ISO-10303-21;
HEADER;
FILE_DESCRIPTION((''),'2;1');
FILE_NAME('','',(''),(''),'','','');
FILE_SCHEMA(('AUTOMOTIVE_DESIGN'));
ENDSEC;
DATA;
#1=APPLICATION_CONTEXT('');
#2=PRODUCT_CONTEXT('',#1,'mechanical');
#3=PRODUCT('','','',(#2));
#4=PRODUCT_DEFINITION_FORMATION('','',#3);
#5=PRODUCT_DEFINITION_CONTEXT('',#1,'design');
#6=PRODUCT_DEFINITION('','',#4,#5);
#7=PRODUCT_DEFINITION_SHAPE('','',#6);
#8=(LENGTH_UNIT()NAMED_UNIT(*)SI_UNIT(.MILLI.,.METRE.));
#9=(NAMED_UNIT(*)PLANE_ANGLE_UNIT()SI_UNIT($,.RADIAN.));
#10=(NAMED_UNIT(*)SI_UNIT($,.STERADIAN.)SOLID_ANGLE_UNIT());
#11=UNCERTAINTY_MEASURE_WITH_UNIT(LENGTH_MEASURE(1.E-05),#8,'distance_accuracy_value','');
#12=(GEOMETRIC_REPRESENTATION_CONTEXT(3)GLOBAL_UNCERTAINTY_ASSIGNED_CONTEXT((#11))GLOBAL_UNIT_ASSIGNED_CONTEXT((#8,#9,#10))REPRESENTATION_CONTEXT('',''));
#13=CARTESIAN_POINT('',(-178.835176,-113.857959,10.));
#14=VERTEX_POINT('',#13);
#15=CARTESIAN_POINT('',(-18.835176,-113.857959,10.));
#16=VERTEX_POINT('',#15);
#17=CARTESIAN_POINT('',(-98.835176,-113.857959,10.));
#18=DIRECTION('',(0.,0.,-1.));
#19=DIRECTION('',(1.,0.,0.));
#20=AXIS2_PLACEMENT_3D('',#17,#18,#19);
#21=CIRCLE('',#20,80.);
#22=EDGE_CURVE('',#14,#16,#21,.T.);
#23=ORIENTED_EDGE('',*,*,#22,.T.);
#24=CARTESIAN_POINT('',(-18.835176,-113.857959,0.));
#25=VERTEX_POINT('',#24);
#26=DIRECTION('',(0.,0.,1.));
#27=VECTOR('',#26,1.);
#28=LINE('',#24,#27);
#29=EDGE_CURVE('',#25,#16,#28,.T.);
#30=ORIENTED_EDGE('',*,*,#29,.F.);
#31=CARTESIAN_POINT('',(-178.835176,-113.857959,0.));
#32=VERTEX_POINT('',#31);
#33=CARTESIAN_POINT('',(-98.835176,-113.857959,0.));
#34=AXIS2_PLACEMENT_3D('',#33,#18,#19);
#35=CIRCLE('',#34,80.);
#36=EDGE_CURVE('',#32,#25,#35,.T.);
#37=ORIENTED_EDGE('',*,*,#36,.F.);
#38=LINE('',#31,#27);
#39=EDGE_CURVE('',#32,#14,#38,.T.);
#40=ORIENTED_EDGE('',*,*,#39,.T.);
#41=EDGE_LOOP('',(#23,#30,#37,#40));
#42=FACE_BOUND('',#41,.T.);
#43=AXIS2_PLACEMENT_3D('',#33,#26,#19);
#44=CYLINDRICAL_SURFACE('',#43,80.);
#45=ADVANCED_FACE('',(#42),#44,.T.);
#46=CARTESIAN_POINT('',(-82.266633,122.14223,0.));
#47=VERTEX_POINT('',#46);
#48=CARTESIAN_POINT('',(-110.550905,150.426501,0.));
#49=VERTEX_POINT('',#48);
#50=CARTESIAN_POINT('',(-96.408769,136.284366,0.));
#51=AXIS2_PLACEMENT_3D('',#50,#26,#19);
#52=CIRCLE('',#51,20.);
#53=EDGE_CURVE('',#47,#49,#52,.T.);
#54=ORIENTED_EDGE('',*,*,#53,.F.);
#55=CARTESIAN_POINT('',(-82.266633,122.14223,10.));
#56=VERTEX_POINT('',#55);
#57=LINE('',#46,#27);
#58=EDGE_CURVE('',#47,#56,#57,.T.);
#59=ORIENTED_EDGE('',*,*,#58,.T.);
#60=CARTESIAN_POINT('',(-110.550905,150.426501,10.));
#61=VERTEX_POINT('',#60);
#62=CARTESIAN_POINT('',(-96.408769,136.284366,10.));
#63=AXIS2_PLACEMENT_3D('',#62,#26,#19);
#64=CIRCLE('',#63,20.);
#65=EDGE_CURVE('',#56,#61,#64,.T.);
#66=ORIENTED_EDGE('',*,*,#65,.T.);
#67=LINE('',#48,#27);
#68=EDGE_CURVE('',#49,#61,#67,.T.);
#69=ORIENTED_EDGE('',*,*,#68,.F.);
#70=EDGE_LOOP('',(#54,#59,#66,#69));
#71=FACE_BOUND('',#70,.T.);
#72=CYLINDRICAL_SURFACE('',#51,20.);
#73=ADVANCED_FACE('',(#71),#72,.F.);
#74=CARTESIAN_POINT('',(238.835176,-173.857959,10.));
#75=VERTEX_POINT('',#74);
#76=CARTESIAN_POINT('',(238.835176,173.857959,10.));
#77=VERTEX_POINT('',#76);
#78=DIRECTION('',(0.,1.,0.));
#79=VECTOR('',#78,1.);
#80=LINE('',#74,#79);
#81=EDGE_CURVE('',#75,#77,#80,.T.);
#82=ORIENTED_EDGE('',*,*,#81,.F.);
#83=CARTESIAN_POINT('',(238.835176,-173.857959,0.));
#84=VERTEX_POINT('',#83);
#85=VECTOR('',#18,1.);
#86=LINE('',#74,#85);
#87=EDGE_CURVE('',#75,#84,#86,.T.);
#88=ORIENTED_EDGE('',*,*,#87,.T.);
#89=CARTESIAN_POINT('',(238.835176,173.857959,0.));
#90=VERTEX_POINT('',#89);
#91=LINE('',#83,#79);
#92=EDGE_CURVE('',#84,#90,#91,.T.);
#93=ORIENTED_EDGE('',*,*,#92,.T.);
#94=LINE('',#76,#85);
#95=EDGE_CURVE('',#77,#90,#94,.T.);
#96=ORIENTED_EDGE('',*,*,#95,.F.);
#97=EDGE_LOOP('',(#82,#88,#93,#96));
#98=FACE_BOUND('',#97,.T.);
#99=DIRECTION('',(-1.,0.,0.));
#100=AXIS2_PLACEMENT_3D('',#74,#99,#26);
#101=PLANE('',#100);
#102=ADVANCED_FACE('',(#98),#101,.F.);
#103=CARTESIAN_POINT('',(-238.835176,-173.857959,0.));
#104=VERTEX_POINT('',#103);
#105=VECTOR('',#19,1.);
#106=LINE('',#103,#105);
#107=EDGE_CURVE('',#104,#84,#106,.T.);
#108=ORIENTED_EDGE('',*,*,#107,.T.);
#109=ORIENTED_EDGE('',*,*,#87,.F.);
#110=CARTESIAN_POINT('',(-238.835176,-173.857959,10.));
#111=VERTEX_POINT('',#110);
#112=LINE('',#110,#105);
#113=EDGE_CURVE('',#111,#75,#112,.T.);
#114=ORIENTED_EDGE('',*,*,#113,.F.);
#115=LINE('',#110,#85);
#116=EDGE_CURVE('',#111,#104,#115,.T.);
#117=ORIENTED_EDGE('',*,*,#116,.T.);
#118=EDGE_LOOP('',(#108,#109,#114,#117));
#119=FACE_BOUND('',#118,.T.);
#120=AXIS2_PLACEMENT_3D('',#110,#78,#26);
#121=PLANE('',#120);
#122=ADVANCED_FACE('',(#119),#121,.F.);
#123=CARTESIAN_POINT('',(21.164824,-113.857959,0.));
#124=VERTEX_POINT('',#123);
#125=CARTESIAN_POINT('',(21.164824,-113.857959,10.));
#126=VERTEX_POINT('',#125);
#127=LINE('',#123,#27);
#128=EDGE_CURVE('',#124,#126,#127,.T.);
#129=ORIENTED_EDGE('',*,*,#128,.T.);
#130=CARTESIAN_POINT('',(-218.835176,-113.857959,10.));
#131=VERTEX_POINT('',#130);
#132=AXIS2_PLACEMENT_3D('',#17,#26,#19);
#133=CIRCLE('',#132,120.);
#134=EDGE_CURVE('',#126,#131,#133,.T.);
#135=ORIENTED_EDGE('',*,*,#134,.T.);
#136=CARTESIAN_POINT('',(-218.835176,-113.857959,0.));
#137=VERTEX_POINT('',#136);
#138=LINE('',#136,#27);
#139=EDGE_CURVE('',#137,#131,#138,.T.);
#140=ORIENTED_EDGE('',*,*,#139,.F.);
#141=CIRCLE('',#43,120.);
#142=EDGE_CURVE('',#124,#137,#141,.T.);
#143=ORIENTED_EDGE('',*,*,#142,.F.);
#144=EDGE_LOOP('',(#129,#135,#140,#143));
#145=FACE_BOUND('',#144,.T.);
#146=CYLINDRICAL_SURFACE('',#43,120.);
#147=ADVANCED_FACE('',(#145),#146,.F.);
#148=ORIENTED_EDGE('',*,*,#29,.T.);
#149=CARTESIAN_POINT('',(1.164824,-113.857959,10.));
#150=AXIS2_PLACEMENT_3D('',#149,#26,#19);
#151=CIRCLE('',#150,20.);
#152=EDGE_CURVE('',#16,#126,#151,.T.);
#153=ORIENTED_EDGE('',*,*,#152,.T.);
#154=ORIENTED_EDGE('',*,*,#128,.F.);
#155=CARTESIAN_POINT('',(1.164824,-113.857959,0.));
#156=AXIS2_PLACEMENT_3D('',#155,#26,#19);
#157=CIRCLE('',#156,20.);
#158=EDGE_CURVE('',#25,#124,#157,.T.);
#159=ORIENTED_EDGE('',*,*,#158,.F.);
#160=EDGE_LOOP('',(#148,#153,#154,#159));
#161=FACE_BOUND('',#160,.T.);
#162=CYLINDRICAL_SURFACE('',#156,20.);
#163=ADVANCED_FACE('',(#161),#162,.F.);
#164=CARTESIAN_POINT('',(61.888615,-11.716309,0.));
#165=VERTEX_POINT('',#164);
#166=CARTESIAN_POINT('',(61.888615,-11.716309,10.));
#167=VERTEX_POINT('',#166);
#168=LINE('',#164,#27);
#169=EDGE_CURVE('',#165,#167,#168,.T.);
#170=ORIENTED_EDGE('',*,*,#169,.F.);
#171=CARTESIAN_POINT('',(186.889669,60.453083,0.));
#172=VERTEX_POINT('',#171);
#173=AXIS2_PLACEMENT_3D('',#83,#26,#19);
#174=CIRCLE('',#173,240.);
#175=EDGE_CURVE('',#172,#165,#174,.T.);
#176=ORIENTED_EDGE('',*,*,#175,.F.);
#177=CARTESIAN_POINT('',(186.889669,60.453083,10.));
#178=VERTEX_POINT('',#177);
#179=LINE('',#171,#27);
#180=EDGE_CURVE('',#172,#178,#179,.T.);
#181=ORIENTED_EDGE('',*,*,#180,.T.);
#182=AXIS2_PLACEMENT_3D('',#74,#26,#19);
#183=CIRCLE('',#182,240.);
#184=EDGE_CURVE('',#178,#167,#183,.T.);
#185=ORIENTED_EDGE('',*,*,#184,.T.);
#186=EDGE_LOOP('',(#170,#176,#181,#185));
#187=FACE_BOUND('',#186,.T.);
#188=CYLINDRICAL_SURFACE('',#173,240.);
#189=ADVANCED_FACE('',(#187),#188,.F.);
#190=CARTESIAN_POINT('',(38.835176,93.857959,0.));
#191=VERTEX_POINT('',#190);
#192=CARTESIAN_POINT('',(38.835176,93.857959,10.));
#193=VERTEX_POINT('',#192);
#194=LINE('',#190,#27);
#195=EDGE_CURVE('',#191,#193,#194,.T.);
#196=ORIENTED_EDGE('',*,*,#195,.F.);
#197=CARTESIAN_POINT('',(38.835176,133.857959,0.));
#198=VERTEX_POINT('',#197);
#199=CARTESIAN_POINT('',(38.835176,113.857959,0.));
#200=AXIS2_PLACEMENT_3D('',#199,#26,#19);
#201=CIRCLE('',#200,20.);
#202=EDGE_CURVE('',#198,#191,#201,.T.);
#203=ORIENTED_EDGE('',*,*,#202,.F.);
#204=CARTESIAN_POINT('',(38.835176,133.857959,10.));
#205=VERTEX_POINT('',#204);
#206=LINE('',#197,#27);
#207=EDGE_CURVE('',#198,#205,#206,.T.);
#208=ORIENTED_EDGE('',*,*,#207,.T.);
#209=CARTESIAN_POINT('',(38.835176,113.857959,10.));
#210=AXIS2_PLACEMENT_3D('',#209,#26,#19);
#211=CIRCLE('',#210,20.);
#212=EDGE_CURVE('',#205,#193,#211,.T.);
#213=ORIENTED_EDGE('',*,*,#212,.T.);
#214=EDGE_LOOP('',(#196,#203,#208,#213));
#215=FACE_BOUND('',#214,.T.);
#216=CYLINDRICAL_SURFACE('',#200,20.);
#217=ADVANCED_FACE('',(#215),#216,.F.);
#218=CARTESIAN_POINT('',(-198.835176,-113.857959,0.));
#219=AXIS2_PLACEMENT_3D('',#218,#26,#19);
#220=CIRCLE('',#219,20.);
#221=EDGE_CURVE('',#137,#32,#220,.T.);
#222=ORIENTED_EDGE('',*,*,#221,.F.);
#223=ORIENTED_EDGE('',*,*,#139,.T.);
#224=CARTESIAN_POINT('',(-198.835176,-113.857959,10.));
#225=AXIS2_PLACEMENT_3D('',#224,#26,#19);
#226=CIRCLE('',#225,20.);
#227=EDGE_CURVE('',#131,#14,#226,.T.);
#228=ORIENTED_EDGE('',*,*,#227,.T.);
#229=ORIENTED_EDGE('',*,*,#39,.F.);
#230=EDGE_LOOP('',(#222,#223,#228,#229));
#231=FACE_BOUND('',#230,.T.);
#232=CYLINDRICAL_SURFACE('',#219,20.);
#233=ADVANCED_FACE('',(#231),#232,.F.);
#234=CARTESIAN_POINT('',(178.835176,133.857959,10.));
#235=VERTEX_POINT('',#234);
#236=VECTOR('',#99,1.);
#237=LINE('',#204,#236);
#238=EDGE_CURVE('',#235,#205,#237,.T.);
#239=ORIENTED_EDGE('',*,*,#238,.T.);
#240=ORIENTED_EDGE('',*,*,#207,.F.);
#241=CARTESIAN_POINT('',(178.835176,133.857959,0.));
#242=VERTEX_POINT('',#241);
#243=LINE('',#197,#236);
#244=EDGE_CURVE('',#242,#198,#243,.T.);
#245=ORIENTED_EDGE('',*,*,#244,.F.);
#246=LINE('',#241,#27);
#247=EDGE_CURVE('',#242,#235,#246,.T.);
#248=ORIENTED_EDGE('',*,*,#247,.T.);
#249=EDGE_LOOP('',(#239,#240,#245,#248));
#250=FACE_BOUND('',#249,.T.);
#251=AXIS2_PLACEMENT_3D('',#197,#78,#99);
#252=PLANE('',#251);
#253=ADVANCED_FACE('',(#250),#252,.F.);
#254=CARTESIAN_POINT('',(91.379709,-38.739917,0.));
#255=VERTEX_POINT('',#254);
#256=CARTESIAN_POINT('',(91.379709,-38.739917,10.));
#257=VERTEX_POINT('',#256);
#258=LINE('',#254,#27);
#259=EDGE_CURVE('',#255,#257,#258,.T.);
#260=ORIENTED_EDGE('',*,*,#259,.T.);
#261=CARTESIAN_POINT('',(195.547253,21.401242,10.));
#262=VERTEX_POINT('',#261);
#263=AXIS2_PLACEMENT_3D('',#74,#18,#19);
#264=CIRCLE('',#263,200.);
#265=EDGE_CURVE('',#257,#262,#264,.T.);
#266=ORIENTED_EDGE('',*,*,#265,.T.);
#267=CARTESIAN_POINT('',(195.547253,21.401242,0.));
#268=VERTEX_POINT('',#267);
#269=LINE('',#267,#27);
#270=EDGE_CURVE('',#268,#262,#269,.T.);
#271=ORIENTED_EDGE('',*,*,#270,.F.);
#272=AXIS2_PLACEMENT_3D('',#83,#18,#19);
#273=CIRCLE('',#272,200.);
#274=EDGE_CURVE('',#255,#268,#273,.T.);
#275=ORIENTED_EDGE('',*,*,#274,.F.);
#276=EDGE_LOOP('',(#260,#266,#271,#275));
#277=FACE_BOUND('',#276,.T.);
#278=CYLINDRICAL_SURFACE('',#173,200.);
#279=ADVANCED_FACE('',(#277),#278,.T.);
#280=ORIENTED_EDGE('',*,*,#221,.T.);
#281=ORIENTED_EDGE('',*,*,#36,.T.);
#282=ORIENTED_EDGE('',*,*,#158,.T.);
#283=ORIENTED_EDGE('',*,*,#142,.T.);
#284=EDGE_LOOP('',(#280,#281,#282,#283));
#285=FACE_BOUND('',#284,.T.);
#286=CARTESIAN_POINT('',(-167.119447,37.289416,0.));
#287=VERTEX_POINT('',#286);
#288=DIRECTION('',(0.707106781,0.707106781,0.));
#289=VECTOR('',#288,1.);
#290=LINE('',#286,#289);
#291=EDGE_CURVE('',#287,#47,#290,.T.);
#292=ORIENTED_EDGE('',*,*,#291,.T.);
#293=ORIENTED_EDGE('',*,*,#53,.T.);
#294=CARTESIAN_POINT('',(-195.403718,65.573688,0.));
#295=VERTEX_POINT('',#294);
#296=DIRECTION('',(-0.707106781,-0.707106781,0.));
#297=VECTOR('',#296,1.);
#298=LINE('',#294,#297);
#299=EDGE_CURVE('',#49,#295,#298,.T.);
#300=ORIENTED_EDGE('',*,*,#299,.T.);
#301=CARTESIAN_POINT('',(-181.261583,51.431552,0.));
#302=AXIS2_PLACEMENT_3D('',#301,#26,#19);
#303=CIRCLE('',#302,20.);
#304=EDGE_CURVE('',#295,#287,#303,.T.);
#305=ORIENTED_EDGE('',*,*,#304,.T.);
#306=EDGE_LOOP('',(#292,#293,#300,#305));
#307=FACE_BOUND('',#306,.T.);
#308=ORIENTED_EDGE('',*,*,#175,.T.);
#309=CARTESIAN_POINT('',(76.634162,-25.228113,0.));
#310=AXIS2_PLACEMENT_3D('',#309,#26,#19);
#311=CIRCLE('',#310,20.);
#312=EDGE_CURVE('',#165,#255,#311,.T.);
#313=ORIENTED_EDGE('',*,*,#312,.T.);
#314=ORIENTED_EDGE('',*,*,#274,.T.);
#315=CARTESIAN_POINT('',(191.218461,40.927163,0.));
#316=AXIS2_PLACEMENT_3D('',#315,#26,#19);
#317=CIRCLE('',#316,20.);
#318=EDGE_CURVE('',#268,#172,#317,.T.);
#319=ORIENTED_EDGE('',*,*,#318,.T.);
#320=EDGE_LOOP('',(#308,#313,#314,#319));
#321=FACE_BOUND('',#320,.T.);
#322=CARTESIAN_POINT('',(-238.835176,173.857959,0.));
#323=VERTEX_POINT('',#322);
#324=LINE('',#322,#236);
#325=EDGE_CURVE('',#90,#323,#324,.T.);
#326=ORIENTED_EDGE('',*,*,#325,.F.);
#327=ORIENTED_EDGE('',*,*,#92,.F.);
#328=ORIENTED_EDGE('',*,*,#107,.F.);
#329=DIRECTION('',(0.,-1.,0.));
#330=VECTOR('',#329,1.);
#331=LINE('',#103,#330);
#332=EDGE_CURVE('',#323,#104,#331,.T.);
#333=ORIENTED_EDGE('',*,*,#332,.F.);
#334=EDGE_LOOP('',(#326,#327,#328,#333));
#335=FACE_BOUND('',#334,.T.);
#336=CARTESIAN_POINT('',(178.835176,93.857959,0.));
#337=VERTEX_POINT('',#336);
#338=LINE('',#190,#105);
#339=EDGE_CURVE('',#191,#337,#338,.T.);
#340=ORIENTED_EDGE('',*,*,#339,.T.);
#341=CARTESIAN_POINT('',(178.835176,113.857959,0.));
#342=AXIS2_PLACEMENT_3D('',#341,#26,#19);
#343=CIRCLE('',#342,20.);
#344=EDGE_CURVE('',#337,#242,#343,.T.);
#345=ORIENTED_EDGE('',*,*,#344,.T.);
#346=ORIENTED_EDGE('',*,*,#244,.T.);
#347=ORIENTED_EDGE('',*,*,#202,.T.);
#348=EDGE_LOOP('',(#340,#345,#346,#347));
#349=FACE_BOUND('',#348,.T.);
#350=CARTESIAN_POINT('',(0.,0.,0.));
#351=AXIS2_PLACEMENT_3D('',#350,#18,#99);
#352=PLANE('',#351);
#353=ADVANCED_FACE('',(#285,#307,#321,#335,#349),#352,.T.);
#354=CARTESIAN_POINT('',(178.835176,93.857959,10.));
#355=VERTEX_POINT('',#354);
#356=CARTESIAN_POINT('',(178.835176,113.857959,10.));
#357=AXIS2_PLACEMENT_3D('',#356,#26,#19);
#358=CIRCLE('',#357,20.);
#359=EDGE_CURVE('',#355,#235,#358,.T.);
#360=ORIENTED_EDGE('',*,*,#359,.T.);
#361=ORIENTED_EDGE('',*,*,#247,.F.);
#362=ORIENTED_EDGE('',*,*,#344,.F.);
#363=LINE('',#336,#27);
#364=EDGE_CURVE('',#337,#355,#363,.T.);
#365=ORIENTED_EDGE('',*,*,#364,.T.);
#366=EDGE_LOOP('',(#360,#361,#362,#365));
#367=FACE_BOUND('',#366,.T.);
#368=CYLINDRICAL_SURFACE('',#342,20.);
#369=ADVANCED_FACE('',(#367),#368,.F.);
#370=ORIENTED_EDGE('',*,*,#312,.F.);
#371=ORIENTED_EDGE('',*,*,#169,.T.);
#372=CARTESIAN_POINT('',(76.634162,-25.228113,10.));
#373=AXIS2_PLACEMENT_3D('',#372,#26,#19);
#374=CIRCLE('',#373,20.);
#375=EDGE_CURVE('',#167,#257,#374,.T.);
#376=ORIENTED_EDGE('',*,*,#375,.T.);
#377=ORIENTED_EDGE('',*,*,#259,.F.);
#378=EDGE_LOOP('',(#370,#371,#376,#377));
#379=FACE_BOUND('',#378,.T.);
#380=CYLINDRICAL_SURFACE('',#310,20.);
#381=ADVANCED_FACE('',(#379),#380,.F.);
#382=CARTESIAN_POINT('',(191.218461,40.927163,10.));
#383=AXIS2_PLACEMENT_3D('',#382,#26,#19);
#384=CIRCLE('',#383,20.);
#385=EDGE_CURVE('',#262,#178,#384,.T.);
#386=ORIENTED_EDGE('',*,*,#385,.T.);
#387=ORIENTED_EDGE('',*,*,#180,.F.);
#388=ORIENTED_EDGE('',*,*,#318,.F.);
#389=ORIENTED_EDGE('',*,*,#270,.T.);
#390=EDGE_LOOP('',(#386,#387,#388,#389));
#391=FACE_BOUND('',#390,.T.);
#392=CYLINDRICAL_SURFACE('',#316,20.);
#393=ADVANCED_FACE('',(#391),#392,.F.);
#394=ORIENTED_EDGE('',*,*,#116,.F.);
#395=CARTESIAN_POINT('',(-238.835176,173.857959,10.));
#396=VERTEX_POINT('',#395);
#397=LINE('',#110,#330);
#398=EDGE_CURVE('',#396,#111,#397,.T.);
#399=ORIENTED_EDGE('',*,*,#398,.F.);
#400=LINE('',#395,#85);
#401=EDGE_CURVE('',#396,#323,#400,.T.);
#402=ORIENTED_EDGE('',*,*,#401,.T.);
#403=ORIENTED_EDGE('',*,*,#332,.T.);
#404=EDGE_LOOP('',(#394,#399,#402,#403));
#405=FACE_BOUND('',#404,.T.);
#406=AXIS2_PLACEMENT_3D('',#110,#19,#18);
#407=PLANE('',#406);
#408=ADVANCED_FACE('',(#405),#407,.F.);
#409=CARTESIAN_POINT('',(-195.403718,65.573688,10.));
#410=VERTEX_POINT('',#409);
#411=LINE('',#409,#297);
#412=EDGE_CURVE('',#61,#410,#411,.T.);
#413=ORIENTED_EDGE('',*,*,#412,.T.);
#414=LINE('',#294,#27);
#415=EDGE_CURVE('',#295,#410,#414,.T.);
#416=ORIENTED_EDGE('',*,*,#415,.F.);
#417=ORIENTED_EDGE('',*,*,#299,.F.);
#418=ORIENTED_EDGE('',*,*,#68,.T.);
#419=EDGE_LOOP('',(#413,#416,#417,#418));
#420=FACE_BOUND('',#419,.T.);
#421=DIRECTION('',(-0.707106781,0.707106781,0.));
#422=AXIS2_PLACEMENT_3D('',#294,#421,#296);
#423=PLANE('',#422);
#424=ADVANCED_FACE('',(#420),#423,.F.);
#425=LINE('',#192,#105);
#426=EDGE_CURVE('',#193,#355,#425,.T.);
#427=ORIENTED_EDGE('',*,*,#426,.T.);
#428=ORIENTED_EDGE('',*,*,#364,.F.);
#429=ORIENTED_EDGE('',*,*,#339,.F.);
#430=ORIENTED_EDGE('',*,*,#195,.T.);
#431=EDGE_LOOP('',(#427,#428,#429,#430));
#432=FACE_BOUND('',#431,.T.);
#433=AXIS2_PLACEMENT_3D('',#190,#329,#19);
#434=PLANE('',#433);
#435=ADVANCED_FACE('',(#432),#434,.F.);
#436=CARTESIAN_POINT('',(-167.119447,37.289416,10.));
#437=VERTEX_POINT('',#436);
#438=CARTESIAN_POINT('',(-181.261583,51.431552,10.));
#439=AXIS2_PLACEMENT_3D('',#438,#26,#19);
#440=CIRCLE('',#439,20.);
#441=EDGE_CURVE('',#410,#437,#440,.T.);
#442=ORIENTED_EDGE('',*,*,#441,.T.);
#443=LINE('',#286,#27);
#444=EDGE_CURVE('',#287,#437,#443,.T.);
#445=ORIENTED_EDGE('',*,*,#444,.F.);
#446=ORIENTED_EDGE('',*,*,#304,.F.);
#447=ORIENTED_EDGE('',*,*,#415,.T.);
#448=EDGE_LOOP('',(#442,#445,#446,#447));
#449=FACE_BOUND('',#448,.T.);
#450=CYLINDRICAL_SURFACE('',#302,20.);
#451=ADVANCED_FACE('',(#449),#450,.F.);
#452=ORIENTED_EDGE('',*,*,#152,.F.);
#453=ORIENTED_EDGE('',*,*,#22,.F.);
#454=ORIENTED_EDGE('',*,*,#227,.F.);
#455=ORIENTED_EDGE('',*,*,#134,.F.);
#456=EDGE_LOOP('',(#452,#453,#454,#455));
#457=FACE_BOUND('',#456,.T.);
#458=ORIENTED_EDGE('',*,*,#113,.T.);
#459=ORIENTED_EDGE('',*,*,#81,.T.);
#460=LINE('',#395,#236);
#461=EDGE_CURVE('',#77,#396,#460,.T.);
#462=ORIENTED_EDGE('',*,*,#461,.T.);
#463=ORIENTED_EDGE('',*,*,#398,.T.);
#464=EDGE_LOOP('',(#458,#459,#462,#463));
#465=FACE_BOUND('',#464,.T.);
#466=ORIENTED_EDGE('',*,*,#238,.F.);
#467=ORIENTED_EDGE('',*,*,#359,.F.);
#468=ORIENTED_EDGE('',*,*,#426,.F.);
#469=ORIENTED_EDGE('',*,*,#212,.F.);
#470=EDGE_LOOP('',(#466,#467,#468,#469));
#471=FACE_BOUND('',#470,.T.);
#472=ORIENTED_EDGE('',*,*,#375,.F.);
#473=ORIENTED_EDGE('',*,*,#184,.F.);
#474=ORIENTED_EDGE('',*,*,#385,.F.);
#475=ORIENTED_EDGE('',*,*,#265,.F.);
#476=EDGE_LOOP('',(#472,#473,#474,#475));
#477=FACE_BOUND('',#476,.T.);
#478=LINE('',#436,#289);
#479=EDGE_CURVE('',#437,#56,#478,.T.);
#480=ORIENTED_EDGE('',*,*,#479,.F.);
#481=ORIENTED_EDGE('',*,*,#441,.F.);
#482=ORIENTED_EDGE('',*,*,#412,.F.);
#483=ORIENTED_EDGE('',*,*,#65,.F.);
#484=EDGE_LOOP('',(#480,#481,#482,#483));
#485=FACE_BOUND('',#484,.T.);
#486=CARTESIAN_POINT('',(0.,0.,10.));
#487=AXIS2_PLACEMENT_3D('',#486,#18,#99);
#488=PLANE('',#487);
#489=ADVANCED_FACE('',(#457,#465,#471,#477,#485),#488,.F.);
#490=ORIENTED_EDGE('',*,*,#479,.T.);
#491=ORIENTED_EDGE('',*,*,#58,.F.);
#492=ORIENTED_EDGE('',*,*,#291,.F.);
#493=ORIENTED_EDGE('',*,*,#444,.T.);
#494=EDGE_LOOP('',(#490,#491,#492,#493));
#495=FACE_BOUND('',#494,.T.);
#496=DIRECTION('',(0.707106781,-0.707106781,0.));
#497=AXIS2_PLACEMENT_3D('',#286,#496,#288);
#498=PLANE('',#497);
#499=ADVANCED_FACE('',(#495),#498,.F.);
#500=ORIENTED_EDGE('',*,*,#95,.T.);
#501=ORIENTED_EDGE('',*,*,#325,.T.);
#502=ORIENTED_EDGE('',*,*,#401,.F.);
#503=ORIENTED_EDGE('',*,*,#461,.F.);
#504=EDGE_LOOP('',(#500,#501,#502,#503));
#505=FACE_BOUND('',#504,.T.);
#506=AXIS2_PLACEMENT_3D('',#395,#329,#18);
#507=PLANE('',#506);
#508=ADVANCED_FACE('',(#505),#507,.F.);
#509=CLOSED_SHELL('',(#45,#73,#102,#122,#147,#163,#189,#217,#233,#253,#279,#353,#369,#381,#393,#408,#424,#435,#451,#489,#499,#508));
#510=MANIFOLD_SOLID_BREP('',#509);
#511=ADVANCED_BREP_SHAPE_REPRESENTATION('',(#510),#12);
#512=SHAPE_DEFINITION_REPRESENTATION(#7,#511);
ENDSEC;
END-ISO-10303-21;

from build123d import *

# Parameters (mm, degrees)
SKETCH1_W           = 477.670351936
SKETCH1_H           = 347.715917952
BOSS_EXTRUDE1_DEPTH = 10
CUT_EXTRUDE1_DEPTH  = 10


with BuildPart() as part:
    # Sketch1 → Boss-Extrude1 (new body)
    with BuildSketch(Plane.XY):
        Rectangle(SKETCH1_W, SKETCH1_H)
    extrude(amount=BOSS_EXTRUDE1_DEPTH)

    # Sketch2 → Cut-Extrude1 (cut)
    with BuildSketch(Plane.XY.offset(10)):
        with BuildLine():
            Line((-195.403718463, 65.573687729), (-110.55090472, 150.426501471))
            ThreePointArc((-110.55090472, 150.426501471), (-82.266633473, 150.426501471), (-82.266633473, 122.142230224))
            Line((-82.266633473, 122.142230224), (-167.119447215, 37.289416482))
            ThreePointArc((-167.119447215, 37.289416482), (-195.403718463, 37.289416482), (-195.403718463, 65.573687729))
        make_face()
        with BuildLine():
            Line((38.835175968, 133.857958976), (178.835175968, 133.857958976))
            ThreePointArc((178.835175968, 133.857958976), (198.835175968, 113.857958976), (178.835175968, 93.857958976))
            Line((178.835175968, 93.857958976), (38.835175968, 93.857958976))
            ThreePointArc((38.835175968, 93.857958976), (18.835175968, 113.857958976), (38.835175968, 133.857958976))
        make_face()
        with BuildLine():
            ThreePointArc((21.164824032, -113.857958976), (-98.835175968, 6.142041024), (-218.835175968, -113.857958976))
            ThreePointArc((-218.835175968, -113.857958976), (-198.835175968, -133.857958976), (-178.835175968, -113.857958976))
            ThreePointArc((-178.835175968, -113.857958976), (-98.835175968, -33.857958976), (-18.835175968, -113.857958976))
            ThreePointArc((-18.835175968, -113.857958976), (1.164824032, -133.857958976), (21.164824032, -113.857958976))
        make_face()
        with BuildLine():
            ThreePointArc((186.889668623, 60.453082732), (118.835175968, 33.988137932), (61.888615133, -11.716309149))
            ThreePointArc((61.888615133, -11.716309149), (63.122357717, -39.973660037), (91.379708606, -38.739917453))
            ThreePointArc((91.379708606, -38.739917453), (138.835175968, -0.65287822), (195.54725318, 21.401242448))
            ThreePointArc((195.54725318, 21.401242448), (210.744381044, 45.255954869), (186.889668623, 60.453082732))
        make_face()
    extrude(amount=-CUT_EXTRUDE1_DEPTH, mode=Mode.SUBTRACT)


solid = part.part
